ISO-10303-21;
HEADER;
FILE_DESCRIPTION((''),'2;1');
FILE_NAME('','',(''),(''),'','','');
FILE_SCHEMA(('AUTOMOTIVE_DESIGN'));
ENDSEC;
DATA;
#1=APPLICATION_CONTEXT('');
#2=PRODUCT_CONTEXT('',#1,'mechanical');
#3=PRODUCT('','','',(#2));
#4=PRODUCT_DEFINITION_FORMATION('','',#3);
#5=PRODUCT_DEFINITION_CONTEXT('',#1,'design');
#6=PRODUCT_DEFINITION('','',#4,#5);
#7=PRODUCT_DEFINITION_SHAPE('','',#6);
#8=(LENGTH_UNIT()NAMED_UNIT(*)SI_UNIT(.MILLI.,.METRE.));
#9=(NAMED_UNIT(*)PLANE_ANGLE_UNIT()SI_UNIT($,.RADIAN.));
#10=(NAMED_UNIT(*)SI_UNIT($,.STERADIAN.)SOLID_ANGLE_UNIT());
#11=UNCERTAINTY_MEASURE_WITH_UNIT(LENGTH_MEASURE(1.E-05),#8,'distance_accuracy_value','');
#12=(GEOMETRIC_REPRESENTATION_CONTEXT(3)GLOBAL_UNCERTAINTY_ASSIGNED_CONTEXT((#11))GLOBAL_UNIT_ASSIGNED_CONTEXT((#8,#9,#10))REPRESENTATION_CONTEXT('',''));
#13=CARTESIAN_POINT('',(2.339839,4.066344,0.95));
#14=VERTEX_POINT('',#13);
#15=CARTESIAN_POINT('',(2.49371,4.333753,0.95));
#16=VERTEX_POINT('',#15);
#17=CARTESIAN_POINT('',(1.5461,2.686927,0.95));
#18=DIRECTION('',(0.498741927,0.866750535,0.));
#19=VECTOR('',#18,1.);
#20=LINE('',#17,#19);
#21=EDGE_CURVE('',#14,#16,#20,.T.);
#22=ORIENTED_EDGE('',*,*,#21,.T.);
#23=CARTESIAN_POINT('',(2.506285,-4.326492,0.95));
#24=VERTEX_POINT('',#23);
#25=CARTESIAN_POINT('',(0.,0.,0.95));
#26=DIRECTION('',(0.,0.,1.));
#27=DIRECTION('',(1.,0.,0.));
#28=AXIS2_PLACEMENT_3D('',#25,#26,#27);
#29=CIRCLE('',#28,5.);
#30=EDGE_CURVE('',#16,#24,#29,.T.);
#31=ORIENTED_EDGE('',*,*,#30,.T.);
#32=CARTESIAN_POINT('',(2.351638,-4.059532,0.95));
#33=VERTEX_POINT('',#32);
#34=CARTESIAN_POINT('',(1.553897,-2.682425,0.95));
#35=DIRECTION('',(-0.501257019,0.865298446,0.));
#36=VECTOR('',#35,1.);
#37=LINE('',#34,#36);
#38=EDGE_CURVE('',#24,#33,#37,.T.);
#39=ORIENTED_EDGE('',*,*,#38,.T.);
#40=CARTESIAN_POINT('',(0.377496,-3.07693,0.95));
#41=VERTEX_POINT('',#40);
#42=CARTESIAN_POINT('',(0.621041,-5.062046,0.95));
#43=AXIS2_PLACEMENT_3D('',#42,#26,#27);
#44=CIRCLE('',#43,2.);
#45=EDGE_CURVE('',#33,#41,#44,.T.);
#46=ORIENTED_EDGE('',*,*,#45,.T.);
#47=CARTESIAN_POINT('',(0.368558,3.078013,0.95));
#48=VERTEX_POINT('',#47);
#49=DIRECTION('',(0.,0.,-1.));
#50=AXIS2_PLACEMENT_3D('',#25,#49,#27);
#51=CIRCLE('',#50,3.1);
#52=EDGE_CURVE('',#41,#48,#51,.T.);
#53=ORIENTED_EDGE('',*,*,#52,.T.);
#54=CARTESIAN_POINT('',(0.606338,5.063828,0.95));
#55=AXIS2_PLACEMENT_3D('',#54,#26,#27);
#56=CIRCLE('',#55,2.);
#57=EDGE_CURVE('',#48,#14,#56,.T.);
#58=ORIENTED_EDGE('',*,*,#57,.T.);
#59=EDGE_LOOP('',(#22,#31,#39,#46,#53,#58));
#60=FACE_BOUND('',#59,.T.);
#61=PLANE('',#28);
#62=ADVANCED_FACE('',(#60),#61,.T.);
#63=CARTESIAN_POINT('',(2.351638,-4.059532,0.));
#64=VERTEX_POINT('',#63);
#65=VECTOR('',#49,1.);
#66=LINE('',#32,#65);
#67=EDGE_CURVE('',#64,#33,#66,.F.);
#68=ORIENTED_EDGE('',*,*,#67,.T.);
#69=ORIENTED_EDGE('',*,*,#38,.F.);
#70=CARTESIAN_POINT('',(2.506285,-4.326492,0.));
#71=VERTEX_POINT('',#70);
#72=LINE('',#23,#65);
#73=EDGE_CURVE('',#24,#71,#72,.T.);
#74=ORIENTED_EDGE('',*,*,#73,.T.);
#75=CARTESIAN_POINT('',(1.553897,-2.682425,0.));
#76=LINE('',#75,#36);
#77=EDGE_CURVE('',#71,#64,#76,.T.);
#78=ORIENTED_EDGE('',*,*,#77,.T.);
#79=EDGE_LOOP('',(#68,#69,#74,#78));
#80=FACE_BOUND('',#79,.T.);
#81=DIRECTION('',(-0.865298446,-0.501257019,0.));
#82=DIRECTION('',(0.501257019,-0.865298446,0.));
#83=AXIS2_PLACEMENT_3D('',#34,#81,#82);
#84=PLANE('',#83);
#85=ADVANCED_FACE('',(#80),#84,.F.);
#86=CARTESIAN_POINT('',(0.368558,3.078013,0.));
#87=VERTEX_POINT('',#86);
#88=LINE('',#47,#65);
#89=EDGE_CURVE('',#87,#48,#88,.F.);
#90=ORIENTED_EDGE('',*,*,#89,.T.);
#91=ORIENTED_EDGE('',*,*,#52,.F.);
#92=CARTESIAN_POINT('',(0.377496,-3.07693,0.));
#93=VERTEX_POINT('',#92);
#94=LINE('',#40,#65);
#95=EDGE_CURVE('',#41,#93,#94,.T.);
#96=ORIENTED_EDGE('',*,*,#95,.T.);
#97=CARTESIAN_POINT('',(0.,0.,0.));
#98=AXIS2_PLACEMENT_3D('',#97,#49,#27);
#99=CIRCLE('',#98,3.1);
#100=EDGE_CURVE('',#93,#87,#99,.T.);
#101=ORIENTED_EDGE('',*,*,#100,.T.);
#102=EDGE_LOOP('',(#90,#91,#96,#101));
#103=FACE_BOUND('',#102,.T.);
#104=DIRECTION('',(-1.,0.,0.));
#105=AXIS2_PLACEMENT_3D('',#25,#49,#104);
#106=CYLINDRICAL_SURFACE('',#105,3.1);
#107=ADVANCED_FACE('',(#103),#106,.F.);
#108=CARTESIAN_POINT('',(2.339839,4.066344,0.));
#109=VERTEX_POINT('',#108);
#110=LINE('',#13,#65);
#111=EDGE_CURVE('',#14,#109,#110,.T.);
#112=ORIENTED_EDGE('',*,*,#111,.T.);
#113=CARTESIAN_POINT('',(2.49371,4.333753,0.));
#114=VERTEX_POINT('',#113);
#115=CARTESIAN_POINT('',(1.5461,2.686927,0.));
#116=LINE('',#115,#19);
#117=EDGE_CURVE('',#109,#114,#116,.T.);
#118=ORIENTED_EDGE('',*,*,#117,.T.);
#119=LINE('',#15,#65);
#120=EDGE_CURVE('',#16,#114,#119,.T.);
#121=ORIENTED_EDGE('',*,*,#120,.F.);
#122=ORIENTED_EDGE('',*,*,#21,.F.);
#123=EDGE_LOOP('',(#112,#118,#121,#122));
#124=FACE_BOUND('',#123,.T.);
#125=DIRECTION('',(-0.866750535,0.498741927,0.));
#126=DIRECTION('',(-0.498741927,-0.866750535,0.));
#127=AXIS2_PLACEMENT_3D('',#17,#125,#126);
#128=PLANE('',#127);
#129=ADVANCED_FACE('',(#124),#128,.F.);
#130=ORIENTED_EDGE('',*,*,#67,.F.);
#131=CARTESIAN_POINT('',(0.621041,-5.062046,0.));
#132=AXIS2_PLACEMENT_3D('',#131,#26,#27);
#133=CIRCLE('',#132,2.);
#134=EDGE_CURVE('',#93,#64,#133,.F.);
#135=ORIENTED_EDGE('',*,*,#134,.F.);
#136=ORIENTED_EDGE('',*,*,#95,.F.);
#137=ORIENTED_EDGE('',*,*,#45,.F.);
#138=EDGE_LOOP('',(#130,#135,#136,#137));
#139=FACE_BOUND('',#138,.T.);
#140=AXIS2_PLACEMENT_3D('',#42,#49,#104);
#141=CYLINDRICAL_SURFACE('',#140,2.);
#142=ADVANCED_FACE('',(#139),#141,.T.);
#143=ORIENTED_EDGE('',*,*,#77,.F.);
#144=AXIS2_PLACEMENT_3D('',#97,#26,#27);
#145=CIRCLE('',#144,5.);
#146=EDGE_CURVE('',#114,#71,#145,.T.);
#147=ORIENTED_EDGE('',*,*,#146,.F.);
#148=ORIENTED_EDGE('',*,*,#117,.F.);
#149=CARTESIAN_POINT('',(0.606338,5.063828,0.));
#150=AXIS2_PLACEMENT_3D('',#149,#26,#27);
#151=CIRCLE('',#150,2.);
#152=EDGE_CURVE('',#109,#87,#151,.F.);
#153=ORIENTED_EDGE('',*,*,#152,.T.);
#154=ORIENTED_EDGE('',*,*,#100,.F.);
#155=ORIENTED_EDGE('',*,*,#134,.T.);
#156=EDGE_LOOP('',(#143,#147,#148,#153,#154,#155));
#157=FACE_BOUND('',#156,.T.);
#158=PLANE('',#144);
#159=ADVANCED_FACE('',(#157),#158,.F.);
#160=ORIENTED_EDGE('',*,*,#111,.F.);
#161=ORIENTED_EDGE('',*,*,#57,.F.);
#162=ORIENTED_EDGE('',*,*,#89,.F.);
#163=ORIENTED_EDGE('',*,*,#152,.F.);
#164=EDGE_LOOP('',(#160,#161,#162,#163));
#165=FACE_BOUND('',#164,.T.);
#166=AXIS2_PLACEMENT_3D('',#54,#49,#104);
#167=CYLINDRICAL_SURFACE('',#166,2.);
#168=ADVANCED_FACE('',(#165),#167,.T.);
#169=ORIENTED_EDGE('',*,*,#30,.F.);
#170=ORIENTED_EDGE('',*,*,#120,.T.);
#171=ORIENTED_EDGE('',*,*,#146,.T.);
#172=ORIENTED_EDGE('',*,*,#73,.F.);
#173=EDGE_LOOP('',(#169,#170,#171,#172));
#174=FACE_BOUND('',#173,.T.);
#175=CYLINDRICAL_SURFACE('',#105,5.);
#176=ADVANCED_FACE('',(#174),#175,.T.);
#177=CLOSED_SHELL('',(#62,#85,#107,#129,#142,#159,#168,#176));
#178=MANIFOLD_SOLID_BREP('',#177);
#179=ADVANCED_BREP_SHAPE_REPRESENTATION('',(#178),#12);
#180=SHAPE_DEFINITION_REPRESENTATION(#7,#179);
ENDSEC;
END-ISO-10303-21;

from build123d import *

# Parameters (mm, degrees)
BOSS_EXTRUDE1_DEPTH = 0.95
FILLET1_R           = 2


with BuildPart() as part:
    # Sketch1 → Boss-Extrude1 (new body)
    with BuildSketch(Plane.XY):
        with BuildLine():
            Line((1.546099973, 2.686926659), (2.493709634, 4.333752676))
            ThreePointArc((2.493709634, 4.333752676), (-4.999994729, -0.007260445), (2.506285094, -4.326492231))
            Line((2.506285094, -4.326492231), (1.553896759, -2.682425183))
            ThreePointArc((1.553896759, -2.682425183), (-3.099996732, -0.004501476), (1.546099973, 2.686926659))
        make_face()
    extrude(amount=BOSS_EXTRUDE1_DEPTH)

    # Fillet1
    fillet1_edges = [part.edges().sort_by_distance(p)[0] for p in [
        (1.546099973, 2.686926659, 0.475),
        (1.553896759, -2.682425183, 0.475),
    ]]
    fillet(fillet1_edges, radius=FILLET1_R)


solid = part.part
